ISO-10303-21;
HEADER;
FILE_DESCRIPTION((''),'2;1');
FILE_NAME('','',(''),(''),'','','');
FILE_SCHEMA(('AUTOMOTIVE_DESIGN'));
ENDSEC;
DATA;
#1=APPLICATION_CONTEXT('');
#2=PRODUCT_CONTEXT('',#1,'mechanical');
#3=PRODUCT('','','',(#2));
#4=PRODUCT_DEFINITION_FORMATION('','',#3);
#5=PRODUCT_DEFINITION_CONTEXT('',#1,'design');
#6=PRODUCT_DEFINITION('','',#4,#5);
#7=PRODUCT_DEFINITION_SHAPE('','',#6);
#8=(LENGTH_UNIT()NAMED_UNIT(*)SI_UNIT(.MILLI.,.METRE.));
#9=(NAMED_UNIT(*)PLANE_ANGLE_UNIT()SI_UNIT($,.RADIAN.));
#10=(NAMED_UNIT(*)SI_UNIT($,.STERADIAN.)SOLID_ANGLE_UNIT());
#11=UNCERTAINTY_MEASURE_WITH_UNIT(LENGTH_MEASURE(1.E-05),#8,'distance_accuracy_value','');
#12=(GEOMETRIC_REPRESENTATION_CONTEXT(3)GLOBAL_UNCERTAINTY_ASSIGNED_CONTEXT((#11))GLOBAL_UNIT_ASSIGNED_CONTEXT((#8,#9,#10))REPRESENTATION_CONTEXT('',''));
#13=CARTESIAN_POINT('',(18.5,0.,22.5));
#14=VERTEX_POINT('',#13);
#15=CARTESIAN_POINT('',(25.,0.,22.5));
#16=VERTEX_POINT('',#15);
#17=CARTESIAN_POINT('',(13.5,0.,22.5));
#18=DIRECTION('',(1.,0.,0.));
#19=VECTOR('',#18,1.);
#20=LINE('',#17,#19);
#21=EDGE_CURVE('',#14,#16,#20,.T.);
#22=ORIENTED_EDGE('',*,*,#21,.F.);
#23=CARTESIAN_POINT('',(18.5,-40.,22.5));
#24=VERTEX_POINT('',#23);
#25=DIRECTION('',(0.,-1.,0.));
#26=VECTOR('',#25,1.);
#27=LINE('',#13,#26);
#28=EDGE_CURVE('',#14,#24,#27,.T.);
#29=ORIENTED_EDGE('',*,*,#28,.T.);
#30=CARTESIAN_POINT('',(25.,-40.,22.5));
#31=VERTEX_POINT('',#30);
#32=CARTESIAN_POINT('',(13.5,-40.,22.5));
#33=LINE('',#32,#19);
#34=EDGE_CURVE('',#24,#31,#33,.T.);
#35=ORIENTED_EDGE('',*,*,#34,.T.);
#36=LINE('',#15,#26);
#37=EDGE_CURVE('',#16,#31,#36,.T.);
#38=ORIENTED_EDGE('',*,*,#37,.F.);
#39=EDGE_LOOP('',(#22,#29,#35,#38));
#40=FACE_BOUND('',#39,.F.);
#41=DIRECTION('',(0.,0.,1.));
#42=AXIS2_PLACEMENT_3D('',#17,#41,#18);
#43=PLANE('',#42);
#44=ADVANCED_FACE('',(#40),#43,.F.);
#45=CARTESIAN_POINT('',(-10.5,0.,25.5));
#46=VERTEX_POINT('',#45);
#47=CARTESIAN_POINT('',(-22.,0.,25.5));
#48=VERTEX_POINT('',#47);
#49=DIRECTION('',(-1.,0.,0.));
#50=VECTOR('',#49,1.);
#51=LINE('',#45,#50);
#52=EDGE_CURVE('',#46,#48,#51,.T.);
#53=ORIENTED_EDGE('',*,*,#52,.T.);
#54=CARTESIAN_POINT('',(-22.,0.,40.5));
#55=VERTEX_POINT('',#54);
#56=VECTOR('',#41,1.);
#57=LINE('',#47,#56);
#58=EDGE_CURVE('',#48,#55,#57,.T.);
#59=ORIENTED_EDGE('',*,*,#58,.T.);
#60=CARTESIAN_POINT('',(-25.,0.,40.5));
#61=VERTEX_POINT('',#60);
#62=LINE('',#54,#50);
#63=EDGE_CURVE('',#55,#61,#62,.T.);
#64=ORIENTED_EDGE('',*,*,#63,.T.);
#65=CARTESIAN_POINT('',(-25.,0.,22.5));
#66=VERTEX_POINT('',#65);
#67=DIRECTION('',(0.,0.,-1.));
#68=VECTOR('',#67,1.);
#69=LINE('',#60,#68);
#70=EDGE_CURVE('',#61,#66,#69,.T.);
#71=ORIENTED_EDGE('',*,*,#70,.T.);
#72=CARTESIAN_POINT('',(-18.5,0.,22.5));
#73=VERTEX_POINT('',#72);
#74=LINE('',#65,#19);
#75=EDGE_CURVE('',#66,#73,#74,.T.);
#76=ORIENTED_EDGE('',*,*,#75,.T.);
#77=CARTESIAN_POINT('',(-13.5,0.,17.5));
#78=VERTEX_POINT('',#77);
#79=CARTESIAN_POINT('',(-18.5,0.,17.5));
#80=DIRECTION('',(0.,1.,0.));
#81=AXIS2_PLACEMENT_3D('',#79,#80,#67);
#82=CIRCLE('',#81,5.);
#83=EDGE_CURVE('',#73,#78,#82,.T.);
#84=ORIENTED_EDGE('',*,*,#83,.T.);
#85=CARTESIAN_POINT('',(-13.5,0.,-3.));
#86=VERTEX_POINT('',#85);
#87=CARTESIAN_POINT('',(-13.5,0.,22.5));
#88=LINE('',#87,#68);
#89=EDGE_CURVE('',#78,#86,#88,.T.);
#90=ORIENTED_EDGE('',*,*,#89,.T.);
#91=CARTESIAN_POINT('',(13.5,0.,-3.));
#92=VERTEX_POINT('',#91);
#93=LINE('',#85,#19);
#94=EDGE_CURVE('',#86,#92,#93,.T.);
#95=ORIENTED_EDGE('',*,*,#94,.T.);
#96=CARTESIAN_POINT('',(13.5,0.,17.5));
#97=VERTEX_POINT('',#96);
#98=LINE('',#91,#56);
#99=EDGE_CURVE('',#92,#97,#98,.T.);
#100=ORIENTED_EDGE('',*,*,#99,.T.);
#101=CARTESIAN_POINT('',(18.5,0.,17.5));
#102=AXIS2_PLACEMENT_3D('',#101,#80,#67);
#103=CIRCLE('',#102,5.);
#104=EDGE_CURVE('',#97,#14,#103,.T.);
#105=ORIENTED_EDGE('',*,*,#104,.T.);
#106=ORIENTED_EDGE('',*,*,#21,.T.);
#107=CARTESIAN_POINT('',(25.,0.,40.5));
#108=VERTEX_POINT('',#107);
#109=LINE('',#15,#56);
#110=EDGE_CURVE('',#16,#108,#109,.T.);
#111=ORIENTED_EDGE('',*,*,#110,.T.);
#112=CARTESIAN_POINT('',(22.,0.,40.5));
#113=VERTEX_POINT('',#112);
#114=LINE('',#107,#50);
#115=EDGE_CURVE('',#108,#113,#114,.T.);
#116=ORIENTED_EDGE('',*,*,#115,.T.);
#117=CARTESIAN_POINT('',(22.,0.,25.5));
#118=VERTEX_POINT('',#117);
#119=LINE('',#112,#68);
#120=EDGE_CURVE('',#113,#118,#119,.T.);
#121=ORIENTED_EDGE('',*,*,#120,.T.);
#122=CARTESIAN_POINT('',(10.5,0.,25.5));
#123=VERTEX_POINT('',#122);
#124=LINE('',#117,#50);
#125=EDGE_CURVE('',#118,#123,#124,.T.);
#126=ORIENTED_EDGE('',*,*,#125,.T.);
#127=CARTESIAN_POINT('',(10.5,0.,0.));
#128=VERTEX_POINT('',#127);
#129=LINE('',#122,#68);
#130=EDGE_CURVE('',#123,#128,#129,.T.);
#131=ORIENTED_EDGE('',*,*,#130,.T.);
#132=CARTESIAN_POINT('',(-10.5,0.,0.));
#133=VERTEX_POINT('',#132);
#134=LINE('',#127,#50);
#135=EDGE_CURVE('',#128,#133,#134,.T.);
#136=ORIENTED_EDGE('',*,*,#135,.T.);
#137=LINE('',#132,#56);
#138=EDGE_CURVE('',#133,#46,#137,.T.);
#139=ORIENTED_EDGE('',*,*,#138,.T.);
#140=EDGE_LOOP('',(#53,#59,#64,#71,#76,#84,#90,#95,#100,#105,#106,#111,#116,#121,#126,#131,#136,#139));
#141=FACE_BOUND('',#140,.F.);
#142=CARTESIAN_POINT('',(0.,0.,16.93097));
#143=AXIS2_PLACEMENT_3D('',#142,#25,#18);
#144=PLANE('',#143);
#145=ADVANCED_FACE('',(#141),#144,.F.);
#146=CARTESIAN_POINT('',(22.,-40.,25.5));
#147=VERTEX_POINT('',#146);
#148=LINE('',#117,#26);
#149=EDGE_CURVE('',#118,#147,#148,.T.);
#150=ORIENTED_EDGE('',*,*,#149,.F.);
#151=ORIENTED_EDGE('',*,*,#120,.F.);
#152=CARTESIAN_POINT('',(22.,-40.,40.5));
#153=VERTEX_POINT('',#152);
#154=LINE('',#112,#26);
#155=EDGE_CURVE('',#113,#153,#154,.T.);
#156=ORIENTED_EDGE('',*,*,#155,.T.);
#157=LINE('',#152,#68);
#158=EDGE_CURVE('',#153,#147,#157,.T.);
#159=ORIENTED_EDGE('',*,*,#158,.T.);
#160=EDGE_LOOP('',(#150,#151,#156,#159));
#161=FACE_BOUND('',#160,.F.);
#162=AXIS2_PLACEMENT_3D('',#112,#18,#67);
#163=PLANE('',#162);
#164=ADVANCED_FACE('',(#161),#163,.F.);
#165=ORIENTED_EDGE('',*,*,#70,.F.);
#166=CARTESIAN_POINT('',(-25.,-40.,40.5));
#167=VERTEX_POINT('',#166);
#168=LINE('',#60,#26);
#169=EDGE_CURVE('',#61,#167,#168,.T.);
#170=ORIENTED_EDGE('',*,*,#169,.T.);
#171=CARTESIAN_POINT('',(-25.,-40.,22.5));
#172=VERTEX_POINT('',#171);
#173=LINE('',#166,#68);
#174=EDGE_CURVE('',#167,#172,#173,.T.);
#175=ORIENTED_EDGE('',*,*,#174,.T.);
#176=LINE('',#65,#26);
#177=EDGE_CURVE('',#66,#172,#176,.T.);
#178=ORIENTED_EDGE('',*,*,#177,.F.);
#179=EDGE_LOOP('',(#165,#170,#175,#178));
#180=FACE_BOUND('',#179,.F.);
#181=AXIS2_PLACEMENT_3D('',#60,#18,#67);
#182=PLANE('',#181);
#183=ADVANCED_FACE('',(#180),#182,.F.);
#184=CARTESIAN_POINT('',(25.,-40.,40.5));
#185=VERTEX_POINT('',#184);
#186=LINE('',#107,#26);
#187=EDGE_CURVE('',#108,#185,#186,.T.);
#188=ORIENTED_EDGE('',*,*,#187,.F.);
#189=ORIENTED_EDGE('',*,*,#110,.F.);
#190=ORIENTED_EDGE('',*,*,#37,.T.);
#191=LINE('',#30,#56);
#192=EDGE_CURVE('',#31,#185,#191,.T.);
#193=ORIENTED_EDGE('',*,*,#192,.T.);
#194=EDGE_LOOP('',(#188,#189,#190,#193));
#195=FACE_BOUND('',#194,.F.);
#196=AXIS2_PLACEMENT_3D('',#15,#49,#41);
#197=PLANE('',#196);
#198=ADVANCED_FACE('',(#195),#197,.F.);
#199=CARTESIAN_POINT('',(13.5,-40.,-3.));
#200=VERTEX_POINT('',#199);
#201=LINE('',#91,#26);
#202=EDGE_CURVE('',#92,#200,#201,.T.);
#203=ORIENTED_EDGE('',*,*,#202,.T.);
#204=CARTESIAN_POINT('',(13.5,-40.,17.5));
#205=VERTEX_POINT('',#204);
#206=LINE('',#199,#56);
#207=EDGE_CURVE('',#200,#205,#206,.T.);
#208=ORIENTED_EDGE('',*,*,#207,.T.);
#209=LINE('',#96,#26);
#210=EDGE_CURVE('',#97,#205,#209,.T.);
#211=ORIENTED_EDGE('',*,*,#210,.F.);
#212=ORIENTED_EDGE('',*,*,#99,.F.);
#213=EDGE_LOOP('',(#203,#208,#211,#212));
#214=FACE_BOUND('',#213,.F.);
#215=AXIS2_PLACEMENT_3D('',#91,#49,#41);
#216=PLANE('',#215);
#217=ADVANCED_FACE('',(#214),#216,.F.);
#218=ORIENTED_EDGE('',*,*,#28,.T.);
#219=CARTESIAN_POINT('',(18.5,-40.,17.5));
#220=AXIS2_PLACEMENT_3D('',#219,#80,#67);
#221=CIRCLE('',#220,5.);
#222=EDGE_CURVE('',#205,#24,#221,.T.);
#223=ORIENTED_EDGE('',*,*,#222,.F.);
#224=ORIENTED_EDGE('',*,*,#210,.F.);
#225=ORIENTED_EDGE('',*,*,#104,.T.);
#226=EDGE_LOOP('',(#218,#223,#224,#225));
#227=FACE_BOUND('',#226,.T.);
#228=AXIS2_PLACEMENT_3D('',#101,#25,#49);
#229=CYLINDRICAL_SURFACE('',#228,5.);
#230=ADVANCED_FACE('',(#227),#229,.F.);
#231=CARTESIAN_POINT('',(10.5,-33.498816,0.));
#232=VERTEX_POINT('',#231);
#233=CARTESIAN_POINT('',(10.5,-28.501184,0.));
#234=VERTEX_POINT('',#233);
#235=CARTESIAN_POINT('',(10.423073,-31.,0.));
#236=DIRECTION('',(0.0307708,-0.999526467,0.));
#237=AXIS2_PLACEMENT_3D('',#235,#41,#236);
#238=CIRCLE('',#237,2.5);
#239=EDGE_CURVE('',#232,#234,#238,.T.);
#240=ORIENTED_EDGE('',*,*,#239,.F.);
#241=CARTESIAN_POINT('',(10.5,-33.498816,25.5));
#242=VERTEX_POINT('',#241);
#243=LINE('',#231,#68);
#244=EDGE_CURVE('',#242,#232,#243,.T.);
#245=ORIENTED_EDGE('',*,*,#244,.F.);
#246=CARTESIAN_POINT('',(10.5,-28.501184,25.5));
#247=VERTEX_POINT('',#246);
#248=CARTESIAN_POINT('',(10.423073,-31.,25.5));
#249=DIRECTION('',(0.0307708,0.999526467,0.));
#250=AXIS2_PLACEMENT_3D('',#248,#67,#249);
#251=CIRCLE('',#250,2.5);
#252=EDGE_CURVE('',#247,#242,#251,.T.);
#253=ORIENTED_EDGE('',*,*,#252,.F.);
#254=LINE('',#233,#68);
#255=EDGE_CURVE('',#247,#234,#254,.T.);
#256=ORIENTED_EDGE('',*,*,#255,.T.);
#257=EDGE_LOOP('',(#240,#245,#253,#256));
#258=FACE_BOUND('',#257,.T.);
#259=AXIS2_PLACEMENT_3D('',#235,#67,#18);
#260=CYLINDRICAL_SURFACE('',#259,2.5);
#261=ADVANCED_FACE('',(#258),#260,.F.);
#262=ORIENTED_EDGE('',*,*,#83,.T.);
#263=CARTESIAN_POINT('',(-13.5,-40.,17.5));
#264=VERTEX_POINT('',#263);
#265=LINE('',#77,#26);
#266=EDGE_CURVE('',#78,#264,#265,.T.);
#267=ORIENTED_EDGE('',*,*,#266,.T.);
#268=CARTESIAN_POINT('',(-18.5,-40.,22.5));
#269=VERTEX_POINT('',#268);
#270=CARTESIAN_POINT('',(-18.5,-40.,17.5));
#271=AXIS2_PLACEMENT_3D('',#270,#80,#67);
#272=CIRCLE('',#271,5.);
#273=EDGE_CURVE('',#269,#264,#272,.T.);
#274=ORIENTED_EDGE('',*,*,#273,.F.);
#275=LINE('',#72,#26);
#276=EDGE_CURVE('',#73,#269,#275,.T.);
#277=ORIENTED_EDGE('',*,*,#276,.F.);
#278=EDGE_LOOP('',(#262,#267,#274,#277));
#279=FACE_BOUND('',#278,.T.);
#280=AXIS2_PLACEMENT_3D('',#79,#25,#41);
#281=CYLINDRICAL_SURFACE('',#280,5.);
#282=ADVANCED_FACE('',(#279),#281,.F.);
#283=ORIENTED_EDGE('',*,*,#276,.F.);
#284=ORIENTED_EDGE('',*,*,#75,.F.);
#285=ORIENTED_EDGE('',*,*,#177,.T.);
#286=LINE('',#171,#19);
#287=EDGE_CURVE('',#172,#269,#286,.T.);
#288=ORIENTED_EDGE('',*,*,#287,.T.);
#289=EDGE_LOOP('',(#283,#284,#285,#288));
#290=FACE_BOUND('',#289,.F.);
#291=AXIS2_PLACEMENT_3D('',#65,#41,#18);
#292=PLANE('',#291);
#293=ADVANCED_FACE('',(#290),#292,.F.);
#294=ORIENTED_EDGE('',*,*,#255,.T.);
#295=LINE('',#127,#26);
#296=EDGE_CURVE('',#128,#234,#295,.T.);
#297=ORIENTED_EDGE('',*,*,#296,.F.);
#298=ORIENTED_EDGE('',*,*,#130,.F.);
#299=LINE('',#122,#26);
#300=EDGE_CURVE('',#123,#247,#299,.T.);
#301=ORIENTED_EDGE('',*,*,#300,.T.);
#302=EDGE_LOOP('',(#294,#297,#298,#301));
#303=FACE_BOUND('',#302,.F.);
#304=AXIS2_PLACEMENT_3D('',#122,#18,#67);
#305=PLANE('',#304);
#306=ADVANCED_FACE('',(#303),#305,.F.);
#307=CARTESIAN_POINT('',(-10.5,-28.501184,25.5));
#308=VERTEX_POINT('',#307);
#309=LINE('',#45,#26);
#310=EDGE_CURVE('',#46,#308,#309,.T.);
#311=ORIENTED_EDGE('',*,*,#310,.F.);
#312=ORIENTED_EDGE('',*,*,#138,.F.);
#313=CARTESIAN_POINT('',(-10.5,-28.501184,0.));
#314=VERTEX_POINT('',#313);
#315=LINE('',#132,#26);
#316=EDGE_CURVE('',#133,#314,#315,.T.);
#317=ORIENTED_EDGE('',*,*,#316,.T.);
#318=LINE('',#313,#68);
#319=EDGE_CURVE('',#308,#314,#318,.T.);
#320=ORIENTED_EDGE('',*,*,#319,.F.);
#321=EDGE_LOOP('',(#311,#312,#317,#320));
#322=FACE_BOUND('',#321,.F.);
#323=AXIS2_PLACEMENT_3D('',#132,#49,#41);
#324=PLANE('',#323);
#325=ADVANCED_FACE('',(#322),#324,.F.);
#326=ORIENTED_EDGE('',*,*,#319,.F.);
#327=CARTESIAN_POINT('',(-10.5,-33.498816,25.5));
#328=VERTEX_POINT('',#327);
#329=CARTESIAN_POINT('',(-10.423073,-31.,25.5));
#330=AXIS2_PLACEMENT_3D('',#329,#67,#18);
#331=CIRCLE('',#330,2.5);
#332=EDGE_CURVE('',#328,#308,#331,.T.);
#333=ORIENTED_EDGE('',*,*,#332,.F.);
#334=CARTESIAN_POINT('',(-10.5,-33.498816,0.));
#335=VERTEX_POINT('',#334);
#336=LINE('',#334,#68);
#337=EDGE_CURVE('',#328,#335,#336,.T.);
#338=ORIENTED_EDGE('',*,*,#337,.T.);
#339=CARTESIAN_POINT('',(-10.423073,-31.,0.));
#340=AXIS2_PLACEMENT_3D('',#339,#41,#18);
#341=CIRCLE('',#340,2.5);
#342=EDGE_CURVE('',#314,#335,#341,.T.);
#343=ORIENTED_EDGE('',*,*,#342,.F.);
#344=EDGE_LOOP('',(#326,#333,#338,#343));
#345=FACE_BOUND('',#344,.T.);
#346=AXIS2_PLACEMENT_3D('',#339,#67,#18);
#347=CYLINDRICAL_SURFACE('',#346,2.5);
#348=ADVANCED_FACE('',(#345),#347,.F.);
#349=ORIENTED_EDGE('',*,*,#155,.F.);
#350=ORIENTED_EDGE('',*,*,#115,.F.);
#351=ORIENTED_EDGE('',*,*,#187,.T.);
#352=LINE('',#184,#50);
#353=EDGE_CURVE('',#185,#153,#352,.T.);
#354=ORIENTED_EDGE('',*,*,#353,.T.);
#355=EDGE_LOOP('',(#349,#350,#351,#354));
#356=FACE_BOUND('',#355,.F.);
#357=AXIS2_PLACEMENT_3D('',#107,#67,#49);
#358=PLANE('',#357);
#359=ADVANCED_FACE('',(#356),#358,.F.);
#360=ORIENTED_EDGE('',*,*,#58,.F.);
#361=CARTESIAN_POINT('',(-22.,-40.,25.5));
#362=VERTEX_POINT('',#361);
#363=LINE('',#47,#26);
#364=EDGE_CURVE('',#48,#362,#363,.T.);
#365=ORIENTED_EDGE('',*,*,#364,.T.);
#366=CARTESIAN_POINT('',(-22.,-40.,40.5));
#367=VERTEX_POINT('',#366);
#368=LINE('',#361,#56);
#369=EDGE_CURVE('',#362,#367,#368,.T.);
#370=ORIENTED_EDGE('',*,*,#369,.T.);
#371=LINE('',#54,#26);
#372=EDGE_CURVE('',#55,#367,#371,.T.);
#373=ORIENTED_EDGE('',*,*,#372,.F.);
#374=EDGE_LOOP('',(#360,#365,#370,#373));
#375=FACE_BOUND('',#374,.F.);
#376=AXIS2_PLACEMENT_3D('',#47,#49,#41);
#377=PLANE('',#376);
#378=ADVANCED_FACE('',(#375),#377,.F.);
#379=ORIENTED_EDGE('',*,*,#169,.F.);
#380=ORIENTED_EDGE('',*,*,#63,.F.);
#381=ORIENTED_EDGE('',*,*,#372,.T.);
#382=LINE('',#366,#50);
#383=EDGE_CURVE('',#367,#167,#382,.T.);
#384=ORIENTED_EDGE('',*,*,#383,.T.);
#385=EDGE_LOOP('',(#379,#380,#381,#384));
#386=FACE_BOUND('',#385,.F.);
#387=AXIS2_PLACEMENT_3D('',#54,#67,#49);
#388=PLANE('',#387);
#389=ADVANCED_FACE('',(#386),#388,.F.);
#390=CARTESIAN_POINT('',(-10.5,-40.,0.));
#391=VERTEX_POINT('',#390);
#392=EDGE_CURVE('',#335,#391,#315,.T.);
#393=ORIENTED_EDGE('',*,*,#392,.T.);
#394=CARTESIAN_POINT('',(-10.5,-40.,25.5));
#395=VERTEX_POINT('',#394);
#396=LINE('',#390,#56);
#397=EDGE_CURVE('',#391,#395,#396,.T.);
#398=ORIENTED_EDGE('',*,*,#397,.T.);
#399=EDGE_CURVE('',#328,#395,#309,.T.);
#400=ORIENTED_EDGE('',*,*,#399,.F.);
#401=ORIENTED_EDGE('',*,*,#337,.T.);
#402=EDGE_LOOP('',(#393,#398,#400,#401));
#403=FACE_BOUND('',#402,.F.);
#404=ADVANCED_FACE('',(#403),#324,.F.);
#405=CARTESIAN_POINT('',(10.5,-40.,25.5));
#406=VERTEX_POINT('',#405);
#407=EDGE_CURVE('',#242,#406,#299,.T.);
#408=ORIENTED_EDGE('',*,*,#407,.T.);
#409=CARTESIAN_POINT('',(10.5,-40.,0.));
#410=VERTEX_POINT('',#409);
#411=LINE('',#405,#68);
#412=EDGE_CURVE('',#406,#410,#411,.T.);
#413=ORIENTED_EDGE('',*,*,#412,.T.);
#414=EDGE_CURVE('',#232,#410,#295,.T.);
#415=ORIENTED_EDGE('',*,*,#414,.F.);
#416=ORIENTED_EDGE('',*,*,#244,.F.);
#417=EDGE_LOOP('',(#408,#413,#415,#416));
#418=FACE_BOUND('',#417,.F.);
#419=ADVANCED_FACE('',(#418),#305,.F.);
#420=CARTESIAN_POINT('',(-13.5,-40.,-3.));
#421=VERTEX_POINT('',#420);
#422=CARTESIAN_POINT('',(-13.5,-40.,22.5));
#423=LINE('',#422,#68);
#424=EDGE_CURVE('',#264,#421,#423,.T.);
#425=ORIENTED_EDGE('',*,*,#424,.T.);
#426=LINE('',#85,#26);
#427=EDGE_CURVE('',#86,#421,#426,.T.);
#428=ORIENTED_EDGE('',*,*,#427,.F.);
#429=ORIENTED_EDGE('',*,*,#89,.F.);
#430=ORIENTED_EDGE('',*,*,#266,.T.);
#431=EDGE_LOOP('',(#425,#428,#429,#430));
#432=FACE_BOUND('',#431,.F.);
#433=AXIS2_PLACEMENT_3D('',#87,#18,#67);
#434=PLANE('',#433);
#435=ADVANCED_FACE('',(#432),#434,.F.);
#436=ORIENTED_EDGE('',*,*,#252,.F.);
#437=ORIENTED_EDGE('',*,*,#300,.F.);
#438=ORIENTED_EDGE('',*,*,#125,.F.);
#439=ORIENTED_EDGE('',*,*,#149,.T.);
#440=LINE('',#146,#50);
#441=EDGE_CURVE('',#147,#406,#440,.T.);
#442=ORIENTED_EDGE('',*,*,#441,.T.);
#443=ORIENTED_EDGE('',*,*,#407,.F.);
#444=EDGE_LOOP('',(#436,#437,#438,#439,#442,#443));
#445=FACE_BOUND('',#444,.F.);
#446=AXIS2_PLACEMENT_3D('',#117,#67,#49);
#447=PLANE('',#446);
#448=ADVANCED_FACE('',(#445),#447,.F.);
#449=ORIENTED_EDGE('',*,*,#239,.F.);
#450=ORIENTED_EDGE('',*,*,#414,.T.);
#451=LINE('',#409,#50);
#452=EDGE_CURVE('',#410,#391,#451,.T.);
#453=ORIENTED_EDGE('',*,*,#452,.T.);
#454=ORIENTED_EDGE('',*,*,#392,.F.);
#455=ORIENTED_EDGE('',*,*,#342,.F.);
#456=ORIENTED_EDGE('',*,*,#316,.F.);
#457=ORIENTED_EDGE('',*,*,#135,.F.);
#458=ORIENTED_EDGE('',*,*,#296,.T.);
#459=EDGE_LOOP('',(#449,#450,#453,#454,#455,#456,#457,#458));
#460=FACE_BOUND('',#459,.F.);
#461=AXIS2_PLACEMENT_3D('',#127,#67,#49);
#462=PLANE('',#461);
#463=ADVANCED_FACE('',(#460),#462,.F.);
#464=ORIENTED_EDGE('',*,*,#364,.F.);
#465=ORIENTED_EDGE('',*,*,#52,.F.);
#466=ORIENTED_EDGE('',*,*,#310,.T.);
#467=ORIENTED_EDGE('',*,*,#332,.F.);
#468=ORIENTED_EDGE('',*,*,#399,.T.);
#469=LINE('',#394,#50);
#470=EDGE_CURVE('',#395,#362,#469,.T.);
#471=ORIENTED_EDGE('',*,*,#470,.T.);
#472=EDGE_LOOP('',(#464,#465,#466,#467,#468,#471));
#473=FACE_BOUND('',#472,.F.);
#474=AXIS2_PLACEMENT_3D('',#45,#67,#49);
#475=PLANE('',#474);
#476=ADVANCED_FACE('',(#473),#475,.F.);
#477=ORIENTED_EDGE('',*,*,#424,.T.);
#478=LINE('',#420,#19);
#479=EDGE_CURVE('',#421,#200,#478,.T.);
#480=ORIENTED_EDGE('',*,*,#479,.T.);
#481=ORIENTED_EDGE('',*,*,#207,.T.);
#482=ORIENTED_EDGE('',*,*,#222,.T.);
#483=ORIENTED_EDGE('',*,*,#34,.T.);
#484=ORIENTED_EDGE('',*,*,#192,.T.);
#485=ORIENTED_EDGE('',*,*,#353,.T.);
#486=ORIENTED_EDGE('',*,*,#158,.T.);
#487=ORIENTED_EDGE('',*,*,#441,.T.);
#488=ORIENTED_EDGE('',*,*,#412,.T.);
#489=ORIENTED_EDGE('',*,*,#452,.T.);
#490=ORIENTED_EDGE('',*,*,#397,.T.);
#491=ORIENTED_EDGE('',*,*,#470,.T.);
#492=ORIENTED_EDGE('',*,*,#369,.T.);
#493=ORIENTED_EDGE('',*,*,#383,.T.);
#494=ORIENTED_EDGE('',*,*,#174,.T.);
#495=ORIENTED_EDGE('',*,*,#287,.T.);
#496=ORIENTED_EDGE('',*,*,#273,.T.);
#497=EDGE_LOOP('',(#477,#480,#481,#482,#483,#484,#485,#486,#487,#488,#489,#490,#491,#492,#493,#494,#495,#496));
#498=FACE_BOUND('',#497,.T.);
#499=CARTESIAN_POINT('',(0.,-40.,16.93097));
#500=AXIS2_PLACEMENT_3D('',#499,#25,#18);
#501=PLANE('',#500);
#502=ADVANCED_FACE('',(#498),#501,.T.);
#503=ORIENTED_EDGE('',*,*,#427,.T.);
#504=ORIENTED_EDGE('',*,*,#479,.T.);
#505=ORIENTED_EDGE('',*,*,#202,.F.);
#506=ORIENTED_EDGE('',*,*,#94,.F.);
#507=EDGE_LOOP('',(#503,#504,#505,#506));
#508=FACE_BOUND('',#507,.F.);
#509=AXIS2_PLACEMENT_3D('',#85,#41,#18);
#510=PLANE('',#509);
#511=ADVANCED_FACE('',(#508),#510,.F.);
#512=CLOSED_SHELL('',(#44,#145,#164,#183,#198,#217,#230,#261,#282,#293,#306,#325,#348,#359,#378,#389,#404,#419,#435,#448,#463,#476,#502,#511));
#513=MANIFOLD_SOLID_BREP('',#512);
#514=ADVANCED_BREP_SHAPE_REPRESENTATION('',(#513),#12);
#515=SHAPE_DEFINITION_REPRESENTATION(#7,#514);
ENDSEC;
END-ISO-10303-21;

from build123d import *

# Parameters (mm, degrees)
F1_DEPTH = 40
F2_R     = 5
F3_R     = 2.5
F4_DEPTH = 27


with BuildPart() as f1:
    # F0 (on Front) → F1 (new body)
    with BuildSketch(Plane.XZ):
        Polygon((10.5, 0), (0, 0), (-10.5, 0), (-10.5, 25.5), (-22, 25.5), (-22, 40.5), (-25, 40.5), (-25, 22.5), (-13.5, 22.5), (-13.5, -3), (0, -3), (13.5, -3), (13.5, 22.5), (25, 22.5), (25, 40.5), (22, 40.5), (22, 25.5), (10.5, 25.5), align=None)
    extrude(amount=F1_DEPTH)

    # F2
    f2_edges = [f1.edges().sort_by_distance(p)[0] for p in [
        (-13.5, -20, 22.5),
        (13.5, -20, 22.5),
    ]]
    fillet(f2_edges, radius=F2_R)

    # F3 (on Top) → F4 (cut)
    with BuildSketch(Plane.XY):
        with Locations((-10.423073, -31)):
            Circle(F3_R)
        with Locations((10.423073, -31)):
            Circle(F3_R)
    extrude(amount=F4_DEPTH, mode=Mode.SUBTRACT)


solid = f1.part
